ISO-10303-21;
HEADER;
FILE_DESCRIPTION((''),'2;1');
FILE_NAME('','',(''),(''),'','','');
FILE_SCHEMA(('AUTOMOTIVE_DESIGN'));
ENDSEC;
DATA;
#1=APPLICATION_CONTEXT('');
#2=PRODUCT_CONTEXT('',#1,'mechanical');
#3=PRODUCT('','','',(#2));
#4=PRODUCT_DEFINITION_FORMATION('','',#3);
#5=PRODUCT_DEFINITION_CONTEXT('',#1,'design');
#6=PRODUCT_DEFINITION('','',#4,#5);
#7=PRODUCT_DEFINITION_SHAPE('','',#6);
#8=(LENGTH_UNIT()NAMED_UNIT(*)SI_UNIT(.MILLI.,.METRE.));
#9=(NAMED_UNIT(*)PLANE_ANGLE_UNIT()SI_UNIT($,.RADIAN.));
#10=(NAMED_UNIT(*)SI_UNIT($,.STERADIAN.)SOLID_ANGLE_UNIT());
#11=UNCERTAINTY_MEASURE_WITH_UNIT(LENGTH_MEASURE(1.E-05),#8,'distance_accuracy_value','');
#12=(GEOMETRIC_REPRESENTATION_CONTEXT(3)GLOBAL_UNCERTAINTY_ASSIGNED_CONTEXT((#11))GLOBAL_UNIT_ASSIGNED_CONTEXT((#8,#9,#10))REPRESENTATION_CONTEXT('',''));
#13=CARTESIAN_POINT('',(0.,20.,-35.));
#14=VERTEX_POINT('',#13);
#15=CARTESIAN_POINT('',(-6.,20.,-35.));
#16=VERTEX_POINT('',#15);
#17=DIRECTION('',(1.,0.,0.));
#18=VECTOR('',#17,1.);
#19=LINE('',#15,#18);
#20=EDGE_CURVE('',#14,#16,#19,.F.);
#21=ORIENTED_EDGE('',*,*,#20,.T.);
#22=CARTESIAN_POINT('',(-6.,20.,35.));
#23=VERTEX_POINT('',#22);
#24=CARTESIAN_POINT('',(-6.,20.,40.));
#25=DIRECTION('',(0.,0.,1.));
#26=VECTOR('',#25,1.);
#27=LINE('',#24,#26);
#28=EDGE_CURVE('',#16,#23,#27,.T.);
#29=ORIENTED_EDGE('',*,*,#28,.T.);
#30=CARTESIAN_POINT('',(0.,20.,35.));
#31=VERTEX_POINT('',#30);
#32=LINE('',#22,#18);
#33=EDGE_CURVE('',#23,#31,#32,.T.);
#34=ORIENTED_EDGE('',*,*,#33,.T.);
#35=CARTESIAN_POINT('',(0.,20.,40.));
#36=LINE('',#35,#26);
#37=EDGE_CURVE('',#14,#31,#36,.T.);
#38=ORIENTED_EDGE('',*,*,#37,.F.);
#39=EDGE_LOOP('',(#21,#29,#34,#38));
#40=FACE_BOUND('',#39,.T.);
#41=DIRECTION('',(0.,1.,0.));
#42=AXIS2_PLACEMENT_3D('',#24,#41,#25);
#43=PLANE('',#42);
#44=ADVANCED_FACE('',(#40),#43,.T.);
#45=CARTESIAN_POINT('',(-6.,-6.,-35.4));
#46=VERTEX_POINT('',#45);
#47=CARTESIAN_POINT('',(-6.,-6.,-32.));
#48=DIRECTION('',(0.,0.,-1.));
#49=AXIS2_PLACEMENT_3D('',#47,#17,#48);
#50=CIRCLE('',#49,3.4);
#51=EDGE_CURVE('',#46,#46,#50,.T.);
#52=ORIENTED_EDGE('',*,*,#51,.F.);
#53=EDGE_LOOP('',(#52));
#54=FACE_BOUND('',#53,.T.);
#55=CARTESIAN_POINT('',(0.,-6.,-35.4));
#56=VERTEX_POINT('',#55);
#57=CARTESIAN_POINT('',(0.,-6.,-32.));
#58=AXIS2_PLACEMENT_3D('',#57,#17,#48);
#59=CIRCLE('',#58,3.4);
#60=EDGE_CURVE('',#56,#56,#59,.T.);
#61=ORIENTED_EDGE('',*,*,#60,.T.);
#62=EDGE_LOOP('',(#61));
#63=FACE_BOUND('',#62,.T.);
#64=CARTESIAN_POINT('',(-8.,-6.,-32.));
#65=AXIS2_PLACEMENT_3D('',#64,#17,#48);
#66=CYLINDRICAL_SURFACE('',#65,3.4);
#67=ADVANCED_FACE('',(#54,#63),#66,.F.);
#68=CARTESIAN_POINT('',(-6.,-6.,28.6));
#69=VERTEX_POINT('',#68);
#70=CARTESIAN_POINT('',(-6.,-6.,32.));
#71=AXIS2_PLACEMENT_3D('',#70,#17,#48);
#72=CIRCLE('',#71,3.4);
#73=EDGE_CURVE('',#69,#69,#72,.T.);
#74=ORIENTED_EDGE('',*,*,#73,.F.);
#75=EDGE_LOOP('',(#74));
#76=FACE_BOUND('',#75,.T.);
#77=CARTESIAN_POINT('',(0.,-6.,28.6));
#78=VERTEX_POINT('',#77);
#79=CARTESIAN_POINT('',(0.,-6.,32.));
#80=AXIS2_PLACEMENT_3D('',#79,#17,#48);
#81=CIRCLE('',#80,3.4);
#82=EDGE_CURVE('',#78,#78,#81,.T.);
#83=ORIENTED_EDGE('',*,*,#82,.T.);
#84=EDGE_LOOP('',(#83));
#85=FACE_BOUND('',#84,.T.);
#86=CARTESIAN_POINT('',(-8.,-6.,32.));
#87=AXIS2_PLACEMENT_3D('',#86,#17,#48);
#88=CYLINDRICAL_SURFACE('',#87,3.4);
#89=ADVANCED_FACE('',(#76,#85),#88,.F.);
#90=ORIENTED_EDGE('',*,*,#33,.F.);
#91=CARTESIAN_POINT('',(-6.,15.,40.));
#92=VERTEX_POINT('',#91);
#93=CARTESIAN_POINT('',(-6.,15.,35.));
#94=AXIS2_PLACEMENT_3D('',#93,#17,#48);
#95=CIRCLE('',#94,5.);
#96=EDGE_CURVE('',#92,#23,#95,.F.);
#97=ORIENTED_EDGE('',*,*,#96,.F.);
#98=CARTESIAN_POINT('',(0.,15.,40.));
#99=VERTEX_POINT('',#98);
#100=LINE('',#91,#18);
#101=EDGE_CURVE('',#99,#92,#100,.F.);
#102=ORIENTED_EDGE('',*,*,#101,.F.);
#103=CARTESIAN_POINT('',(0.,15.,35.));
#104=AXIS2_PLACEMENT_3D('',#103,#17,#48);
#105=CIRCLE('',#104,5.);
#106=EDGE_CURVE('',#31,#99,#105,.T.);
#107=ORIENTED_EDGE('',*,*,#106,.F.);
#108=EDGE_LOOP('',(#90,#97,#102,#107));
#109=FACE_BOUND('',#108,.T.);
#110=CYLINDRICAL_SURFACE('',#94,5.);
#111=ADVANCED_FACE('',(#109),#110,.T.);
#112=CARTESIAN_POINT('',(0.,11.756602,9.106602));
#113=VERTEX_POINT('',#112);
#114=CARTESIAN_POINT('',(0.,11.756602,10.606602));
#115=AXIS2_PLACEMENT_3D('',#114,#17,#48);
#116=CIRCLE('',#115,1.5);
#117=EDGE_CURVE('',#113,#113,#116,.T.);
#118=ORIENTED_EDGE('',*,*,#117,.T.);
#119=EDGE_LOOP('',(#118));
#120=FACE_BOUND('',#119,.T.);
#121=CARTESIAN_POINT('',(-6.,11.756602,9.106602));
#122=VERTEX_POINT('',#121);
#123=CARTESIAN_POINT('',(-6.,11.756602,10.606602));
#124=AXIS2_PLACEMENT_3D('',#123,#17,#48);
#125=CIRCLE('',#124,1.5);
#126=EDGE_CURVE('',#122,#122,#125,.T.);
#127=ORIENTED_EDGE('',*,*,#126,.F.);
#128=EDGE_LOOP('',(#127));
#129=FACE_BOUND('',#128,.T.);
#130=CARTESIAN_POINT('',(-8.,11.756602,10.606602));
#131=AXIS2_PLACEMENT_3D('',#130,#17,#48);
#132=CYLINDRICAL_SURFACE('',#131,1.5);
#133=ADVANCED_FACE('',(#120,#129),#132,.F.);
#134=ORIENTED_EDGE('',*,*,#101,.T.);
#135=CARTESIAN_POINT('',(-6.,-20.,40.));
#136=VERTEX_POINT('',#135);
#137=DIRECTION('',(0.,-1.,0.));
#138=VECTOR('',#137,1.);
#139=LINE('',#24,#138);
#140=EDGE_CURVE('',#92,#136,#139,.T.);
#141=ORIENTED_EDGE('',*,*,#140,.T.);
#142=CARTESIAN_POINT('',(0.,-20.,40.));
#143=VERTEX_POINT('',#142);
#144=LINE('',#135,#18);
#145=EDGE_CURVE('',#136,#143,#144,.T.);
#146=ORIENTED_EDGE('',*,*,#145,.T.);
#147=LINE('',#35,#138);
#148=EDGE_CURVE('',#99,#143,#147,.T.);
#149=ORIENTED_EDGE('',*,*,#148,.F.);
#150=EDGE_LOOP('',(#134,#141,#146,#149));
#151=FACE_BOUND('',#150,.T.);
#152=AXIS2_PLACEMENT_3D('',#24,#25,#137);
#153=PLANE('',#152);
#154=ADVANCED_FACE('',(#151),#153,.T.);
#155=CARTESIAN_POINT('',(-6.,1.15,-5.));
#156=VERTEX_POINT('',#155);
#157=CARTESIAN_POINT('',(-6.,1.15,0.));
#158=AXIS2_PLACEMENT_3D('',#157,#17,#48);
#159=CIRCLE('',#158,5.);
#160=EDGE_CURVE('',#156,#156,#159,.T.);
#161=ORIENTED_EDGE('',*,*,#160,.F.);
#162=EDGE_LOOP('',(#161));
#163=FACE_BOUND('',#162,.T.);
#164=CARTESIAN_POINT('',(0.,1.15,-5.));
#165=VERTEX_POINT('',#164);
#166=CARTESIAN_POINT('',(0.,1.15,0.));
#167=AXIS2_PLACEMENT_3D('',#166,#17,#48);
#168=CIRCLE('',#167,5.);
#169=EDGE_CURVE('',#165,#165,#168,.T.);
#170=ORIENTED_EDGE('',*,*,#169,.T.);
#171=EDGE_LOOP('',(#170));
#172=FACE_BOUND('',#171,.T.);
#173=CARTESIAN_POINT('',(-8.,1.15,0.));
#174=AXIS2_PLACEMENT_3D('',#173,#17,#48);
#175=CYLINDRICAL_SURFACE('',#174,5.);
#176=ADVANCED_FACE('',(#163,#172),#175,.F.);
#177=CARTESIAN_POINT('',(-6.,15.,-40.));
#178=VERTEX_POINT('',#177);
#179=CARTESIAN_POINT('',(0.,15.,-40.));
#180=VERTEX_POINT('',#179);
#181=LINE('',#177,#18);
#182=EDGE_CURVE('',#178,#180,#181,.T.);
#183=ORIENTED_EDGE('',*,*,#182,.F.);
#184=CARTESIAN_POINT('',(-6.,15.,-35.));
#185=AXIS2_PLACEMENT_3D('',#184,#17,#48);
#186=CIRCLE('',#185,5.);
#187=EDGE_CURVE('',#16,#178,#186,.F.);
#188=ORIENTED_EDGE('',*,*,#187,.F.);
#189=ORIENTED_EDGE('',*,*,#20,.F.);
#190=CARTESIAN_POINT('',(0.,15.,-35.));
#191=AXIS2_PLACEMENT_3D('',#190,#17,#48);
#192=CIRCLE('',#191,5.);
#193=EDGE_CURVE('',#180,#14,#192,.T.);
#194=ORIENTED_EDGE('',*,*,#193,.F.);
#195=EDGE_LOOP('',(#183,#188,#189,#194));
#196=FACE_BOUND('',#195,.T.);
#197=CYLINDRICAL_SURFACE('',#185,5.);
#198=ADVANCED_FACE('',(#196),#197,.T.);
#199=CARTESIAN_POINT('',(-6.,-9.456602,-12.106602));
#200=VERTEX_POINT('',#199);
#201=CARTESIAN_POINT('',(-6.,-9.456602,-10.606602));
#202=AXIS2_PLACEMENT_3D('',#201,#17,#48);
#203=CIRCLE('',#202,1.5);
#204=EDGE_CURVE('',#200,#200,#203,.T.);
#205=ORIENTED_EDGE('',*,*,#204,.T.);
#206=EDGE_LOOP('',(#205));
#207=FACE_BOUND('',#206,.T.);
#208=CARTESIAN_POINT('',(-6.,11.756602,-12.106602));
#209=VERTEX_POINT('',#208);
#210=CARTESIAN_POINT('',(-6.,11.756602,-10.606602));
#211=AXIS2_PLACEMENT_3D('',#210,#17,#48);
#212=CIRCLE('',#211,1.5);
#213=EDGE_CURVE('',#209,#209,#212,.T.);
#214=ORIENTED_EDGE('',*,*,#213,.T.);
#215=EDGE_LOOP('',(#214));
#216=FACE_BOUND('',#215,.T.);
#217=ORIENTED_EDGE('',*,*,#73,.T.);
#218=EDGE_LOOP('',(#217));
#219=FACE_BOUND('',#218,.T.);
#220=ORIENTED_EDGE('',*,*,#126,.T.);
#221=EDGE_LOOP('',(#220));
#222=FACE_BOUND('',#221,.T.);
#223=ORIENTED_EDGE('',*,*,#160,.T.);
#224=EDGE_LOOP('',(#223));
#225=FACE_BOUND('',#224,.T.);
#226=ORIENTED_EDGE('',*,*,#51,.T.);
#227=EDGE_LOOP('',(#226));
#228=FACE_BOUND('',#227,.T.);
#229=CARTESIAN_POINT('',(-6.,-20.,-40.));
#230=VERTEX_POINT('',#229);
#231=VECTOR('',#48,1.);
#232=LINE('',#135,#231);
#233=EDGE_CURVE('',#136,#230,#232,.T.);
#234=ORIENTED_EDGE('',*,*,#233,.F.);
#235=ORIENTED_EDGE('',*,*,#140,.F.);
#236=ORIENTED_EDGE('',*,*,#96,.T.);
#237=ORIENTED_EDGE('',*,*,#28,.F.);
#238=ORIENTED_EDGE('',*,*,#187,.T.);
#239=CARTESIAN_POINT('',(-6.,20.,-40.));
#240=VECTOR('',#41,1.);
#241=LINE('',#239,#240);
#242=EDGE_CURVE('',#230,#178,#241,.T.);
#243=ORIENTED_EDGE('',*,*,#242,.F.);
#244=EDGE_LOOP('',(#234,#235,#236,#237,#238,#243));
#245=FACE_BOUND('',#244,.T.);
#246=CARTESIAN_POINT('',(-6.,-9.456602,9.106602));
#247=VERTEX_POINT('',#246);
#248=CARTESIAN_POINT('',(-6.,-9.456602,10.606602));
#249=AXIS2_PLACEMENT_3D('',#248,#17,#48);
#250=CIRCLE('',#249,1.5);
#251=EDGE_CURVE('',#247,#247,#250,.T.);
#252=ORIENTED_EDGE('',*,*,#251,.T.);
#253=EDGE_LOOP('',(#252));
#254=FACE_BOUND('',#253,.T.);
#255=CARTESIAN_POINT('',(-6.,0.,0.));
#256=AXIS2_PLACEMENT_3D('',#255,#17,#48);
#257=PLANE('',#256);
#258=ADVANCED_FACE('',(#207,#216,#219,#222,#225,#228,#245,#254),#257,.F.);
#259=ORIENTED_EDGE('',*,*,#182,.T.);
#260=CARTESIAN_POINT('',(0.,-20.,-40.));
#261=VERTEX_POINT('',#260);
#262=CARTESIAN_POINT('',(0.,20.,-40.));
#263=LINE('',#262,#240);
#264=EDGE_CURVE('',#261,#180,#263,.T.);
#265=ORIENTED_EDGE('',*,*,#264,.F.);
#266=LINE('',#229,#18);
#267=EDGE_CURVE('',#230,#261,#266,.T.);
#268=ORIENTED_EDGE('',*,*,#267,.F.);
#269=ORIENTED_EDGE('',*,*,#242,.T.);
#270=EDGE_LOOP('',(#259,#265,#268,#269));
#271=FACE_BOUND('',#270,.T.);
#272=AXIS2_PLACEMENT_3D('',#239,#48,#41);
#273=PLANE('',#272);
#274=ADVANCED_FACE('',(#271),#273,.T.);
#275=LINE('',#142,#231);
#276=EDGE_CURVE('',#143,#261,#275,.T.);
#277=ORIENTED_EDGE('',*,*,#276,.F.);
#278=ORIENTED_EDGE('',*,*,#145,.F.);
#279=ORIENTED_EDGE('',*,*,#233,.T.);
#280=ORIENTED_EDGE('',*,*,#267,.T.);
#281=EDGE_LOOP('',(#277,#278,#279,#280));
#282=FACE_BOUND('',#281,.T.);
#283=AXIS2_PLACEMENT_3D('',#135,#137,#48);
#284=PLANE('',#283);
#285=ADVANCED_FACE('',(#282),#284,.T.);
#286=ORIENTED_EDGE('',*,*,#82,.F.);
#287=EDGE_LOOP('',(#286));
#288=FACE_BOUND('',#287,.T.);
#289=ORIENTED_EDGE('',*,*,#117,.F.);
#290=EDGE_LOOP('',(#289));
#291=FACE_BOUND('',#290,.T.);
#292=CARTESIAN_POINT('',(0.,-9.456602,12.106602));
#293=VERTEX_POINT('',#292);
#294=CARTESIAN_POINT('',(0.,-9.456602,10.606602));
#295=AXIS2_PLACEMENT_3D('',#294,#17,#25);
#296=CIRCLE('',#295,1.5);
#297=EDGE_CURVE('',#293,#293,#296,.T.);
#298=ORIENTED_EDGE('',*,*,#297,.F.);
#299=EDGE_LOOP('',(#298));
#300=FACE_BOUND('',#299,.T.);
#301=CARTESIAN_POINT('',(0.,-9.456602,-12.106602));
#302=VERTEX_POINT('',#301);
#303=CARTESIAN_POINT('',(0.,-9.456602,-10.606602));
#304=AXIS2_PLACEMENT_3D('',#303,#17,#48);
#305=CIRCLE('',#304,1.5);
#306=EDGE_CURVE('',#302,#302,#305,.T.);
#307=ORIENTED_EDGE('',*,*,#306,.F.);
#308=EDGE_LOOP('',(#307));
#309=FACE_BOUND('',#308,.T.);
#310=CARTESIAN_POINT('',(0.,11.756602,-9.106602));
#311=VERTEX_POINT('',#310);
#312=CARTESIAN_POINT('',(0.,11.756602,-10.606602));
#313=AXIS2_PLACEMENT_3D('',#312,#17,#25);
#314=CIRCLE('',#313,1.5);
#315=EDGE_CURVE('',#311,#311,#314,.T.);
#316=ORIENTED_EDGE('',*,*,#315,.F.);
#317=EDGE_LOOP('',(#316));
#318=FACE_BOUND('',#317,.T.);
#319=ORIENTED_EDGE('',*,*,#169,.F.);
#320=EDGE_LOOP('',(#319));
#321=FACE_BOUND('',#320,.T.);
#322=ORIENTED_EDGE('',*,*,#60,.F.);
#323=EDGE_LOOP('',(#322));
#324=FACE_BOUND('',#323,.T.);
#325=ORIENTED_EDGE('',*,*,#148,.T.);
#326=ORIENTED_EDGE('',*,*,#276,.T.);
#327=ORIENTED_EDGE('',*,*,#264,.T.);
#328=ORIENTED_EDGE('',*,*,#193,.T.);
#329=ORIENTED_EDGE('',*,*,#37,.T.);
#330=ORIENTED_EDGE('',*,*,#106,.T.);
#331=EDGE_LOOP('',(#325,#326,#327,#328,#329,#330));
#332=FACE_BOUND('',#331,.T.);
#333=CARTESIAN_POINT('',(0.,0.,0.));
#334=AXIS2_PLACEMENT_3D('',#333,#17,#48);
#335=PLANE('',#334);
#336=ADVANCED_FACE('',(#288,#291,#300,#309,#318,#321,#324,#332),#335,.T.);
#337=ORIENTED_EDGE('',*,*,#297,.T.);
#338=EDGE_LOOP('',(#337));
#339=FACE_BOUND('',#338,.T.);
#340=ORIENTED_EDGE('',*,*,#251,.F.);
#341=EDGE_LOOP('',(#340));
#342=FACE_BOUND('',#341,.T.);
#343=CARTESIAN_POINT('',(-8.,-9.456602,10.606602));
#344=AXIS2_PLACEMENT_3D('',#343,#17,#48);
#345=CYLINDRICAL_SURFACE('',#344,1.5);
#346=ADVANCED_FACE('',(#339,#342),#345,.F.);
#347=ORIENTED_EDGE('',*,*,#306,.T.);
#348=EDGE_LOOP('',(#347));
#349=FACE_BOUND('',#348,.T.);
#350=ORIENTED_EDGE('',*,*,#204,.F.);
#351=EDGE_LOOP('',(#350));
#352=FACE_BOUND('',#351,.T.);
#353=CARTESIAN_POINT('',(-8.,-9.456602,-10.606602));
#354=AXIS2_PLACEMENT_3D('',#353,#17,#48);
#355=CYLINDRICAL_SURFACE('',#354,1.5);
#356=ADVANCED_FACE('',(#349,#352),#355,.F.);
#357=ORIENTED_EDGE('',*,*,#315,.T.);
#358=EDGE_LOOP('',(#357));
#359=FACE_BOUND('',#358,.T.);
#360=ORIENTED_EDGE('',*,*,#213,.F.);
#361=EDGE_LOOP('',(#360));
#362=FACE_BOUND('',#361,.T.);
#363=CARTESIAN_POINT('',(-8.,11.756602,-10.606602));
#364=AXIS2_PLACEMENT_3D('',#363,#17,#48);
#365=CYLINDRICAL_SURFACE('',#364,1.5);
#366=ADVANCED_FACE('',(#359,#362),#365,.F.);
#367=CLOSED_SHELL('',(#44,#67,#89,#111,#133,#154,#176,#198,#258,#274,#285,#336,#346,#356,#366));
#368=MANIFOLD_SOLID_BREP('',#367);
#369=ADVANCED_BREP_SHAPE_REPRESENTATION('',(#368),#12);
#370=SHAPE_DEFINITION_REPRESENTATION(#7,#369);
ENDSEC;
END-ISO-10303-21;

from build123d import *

# Parameters (mm, degrees)
SKETCH3_W           = 80
SKETCH3_H           = 40
BOSS_EXTRUDE3_DEPTH = 6
SKETCH4_R           = 5
SKETCH4_R_2         = 1.5
SKETCH4_R_3         = 3.4
CUT_EXTRUDE1_DEPTH  = 8
FILLET1_R           = 5


with BuildPart() as part:
    # Sketch3 → Boss-Extrude3 (new body)
    with BuildSketch(Plane(origin=(0, 0, 0), x_dir=(0, 0, -1), z_dir=(1, 0, 0))):
        Rectangle(SKETCH3_W, SKETCH3_H)
    extrude(amount=-BOSS_EXTRUDE3_DEPTH)

    # Sketch4 → Cut-Extrude1 (cut)
    with BuildSketch(Plane(origin=(0, 0, 0), x_dir=(0, 0, -1), z_dir=(1, 0, 0))):
        with Locations((0, 1.15)):
            Circle(SKETCH4_R)
        with Locations((-10.606601718, 11.756601718)):
            Circle(SKETCH4_R_2)
        with Locations((10.606601718, 11.756601718)):
            Circle(SKETCH4_R_2)
        with Locations((10.606601718, -9.456601718)):
            Circle(SKETCH4_R_2)
        with Locations((-10.606601718, -9.456601718)):
            Circle(SKETCH4_R_2)
        with Locations((32, -6)):
            Circle(SKETCH4_R_3)
        with Locations((-32, -6)):
            Circle(SKETCH4_R_3)
    extrude(amount=-CUT_EXTRUDE1_DEPTH, mode=Mode.SUBTRACT)

    # Fillet1
    fillet1_edges = [part.edges().sort_by_distance(p)[0] for p in [
        (-3, 20, 40),
        (-3, 20, -40),
    ]]
    fillet(fillet1_edges, radius=FILLET1_R)


solid = part.part
